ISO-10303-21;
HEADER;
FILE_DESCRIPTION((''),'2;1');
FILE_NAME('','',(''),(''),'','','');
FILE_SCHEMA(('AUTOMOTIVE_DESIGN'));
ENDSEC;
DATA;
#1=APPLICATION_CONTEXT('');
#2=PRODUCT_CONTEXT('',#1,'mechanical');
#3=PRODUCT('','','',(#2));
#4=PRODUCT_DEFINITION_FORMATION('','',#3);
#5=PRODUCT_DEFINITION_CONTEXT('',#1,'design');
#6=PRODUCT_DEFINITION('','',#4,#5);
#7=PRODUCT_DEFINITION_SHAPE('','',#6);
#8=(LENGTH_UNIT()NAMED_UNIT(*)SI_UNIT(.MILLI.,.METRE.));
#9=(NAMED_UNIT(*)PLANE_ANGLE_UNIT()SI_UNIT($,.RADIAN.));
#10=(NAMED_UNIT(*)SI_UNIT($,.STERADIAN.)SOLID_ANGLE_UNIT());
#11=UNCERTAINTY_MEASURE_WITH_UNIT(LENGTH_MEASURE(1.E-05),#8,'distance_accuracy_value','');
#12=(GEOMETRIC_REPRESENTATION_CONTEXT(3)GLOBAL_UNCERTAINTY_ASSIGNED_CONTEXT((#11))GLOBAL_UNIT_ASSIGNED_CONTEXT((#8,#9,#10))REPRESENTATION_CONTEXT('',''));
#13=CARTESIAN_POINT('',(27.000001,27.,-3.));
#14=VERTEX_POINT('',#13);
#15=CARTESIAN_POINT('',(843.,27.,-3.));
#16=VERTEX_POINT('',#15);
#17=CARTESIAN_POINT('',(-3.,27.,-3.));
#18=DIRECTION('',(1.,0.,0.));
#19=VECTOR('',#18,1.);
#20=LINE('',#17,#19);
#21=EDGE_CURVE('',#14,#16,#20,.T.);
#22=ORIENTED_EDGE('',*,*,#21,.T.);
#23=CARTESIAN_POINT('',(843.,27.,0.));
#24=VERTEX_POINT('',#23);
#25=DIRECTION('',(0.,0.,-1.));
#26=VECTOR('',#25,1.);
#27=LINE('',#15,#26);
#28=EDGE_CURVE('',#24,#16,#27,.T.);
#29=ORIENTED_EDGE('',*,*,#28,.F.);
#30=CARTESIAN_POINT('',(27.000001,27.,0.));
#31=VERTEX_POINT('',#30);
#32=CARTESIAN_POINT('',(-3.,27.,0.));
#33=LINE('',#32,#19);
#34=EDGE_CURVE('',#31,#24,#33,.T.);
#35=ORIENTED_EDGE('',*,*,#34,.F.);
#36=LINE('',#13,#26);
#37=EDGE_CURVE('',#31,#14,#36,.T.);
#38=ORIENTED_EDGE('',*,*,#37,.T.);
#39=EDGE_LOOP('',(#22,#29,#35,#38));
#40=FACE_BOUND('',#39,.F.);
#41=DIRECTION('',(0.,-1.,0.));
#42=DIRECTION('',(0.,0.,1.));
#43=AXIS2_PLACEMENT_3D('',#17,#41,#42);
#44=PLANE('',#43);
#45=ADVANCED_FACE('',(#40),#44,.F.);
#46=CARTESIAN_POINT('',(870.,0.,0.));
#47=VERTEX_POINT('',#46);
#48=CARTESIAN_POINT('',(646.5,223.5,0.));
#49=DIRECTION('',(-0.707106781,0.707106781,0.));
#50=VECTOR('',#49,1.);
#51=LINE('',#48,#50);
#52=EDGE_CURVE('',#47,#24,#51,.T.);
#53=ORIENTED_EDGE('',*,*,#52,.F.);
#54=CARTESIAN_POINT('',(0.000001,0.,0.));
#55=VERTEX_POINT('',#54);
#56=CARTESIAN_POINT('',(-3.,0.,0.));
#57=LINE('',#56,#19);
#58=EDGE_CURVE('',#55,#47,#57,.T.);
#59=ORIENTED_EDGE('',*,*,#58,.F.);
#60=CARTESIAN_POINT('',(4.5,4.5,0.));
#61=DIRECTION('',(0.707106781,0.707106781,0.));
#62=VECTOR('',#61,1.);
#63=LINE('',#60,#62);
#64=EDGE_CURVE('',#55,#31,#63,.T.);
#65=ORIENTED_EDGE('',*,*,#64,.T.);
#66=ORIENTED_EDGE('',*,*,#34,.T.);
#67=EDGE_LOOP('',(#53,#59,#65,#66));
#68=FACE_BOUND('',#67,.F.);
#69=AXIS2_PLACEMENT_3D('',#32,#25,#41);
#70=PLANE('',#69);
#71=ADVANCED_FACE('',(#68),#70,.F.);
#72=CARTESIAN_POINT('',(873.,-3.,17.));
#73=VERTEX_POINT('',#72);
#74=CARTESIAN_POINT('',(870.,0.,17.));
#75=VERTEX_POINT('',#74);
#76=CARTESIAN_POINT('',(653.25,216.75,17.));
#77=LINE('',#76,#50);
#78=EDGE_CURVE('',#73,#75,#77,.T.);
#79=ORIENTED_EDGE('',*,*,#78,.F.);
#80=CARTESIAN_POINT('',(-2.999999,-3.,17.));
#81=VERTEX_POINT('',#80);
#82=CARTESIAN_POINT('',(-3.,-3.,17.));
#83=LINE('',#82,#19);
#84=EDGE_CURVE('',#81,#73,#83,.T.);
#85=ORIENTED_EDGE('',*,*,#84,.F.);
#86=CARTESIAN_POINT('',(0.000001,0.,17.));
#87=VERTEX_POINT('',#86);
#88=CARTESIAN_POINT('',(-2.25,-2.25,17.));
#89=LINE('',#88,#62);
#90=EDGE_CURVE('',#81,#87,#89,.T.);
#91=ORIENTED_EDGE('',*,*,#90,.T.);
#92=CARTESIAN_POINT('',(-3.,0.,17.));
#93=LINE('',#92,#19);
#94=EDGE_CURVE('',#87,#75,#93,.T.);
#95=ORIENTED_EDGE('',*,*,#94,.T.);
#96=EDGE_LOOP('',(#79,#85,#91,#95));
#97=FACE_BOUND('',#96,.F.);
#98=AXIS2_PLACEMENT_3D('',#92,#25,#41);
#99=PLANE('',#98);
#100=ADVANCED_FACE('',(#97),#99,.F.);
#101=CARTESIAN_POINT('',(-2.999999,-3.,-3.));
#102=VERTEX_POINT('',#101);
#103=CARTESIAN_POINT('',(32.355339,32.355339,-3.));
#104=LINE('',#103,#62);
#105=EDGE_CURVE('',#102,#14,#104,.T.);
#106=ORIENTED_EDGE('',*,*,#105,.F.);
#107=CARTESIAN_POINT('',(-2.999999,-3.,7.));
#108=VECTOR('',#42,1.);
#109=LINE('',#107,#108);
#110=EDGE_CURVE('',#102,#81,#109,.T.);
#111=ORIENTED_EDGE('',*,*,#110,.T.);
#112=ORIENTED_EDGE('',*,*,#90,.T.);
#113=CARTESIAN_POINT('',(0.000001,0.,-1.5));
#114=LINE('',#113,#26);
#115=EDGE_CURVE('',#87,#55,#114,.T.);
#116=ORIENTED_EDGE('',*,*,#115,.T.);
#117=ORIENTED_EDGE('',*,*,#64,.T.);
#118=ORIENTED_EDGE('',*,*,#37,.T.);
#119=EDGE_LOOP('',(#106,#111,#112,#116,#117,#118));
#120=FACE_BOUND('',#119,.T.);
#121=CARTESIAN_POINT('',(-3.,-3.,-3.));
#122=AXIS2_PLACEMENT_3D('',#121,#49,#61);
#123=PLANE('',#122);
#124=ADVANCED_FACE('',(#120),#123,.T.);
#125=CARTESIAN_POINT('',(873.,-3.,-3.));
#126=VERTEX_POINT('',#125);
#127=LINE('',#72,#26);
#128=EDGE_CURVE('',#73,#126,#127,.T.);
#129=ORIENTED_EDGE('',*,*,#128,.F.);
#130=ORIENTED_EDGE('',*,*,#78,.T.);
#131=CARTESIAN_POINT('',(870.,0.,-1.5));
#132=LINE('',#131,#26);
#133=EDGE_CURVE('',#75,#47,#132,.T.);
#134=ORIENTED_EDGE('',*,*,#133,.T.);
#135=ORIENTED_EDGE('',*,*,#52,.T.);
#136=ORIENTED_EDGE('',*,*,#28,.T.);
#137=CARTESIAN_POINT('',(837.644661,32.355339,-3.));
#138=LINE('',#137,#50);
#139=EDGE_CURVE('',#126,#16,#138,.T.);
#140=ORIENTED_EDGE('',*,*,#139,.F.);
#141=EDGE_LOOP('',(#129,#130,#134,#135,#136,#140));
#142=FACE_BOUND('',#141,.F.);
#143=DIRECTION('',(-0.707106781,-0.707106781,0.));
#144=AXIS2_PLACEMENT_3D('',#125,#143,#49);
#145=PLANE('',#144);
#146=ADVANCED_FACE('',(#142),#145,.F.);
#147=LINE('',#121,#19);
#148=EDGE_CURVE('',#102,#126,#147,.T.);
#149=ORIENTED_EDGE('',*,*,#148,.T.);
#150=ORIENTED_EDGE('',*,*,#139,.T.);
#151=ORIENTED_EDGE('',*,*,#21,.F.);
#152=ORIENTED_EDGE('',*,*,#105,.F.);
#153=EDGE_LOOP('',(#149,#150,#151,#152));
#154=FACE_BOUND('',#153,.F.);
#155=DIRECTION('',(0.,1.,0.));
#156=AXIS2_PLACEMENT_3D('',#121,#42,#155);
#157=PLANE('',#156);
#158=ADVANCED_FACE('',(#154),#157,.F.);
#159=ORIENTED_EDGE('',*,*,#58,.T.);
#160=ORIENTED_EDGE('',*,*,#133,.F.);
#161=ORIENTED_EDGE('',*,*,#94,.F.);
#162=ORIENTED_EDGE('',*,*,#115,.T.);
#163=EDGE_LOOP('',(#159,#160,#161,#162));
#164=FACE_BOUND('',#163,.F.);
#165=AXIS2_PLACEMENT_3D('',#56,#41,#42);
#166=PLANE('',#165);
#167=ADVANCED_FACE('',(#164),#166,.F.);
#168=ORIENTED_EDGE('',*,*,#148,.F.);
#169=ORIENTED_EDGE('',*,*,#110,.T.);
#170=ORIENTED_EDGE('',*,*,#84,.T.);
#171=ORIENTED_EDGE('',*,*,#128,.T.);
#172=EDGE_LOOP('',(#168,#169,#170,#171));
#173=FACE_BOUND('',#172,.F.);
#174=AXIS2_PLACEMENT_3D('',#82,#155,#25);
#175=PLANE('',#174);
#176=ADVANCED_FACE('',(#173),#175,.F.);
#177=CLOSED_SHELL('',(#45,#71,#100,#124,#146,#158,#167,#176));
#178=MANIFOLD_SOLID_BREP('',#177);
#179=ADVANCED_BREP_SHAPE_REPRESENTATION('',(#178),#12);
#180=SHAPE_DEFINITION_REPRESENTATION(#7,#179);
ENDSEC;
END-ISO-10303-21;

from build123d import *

# Parameters (mm, degrees)
BOX021_W               = 30
BOX021_H               = 100
BOX021_DEPTH           = 30
BOX021_PLACEMENT_ANGLE = 45
BOX020_W               = 30
BOX020_H               = 100
BOX020_DEPTH           = 30
BOX020_PLACEMENT_ANGLE = -45
PAD_DEPTH              = 876


with BuildPart() as cube006:
    # Box021 → Box021 (new body)
    with BuildSketch(Plane.XY):
        with Locations((15, 50)):
            Rectangle(BOX021_W, BOX021_H)
    extrude(amount=BOX021_DEPTH)


with BuildPart() as cube006_1:
    # Box021 placement: moved
    add(cube006.part.moved(Location((873, -3, -3))).rotate(Axis((873, -3, -3), (0, 0, 1)), BOX021_PLACEMENT_ANGLE))


with BuildPart() as cube:
    # Box020 → Box020 (new body)
    with BuildSketch(Plane.XY):
        with Locations((15, 50)):
            Rectangle(BOX020_W, BOX020_H)
    extrude(amount=BOX020_DEPTH)


with BuildPart() as cube_1:
    # Box020 placement: moved
    add(cube.part.moved(Location((-24.213203, 18.213203, -3))).rotate(Axis((-24.213203, 18.213203, -3), (0, 0, 1)), BOX020_PLACEMENT_ANGLE))


with BuildPart() as rahmen1:
    # Sketch → Pad (new body)
    with BuildSketch(Plane(origin=(-3, -3, -3), x_dir=(0, 1, 0), z_dir=(1, 0, 0))):
        Polygon((0, 0), (30, 0), (30, 3), (3, 3), (3, 20), (0, 20), align=None)
    extrude(amount=PAD_DEPTH)

    # Cut: cut Cube
    add(cube_1.part, mode=Mode.SUBTRACT)

    # Cut001: cut Cube006
    add(cube006_1.part, mode=Mode.SUBTRACT)


solid = rahmen1.part
